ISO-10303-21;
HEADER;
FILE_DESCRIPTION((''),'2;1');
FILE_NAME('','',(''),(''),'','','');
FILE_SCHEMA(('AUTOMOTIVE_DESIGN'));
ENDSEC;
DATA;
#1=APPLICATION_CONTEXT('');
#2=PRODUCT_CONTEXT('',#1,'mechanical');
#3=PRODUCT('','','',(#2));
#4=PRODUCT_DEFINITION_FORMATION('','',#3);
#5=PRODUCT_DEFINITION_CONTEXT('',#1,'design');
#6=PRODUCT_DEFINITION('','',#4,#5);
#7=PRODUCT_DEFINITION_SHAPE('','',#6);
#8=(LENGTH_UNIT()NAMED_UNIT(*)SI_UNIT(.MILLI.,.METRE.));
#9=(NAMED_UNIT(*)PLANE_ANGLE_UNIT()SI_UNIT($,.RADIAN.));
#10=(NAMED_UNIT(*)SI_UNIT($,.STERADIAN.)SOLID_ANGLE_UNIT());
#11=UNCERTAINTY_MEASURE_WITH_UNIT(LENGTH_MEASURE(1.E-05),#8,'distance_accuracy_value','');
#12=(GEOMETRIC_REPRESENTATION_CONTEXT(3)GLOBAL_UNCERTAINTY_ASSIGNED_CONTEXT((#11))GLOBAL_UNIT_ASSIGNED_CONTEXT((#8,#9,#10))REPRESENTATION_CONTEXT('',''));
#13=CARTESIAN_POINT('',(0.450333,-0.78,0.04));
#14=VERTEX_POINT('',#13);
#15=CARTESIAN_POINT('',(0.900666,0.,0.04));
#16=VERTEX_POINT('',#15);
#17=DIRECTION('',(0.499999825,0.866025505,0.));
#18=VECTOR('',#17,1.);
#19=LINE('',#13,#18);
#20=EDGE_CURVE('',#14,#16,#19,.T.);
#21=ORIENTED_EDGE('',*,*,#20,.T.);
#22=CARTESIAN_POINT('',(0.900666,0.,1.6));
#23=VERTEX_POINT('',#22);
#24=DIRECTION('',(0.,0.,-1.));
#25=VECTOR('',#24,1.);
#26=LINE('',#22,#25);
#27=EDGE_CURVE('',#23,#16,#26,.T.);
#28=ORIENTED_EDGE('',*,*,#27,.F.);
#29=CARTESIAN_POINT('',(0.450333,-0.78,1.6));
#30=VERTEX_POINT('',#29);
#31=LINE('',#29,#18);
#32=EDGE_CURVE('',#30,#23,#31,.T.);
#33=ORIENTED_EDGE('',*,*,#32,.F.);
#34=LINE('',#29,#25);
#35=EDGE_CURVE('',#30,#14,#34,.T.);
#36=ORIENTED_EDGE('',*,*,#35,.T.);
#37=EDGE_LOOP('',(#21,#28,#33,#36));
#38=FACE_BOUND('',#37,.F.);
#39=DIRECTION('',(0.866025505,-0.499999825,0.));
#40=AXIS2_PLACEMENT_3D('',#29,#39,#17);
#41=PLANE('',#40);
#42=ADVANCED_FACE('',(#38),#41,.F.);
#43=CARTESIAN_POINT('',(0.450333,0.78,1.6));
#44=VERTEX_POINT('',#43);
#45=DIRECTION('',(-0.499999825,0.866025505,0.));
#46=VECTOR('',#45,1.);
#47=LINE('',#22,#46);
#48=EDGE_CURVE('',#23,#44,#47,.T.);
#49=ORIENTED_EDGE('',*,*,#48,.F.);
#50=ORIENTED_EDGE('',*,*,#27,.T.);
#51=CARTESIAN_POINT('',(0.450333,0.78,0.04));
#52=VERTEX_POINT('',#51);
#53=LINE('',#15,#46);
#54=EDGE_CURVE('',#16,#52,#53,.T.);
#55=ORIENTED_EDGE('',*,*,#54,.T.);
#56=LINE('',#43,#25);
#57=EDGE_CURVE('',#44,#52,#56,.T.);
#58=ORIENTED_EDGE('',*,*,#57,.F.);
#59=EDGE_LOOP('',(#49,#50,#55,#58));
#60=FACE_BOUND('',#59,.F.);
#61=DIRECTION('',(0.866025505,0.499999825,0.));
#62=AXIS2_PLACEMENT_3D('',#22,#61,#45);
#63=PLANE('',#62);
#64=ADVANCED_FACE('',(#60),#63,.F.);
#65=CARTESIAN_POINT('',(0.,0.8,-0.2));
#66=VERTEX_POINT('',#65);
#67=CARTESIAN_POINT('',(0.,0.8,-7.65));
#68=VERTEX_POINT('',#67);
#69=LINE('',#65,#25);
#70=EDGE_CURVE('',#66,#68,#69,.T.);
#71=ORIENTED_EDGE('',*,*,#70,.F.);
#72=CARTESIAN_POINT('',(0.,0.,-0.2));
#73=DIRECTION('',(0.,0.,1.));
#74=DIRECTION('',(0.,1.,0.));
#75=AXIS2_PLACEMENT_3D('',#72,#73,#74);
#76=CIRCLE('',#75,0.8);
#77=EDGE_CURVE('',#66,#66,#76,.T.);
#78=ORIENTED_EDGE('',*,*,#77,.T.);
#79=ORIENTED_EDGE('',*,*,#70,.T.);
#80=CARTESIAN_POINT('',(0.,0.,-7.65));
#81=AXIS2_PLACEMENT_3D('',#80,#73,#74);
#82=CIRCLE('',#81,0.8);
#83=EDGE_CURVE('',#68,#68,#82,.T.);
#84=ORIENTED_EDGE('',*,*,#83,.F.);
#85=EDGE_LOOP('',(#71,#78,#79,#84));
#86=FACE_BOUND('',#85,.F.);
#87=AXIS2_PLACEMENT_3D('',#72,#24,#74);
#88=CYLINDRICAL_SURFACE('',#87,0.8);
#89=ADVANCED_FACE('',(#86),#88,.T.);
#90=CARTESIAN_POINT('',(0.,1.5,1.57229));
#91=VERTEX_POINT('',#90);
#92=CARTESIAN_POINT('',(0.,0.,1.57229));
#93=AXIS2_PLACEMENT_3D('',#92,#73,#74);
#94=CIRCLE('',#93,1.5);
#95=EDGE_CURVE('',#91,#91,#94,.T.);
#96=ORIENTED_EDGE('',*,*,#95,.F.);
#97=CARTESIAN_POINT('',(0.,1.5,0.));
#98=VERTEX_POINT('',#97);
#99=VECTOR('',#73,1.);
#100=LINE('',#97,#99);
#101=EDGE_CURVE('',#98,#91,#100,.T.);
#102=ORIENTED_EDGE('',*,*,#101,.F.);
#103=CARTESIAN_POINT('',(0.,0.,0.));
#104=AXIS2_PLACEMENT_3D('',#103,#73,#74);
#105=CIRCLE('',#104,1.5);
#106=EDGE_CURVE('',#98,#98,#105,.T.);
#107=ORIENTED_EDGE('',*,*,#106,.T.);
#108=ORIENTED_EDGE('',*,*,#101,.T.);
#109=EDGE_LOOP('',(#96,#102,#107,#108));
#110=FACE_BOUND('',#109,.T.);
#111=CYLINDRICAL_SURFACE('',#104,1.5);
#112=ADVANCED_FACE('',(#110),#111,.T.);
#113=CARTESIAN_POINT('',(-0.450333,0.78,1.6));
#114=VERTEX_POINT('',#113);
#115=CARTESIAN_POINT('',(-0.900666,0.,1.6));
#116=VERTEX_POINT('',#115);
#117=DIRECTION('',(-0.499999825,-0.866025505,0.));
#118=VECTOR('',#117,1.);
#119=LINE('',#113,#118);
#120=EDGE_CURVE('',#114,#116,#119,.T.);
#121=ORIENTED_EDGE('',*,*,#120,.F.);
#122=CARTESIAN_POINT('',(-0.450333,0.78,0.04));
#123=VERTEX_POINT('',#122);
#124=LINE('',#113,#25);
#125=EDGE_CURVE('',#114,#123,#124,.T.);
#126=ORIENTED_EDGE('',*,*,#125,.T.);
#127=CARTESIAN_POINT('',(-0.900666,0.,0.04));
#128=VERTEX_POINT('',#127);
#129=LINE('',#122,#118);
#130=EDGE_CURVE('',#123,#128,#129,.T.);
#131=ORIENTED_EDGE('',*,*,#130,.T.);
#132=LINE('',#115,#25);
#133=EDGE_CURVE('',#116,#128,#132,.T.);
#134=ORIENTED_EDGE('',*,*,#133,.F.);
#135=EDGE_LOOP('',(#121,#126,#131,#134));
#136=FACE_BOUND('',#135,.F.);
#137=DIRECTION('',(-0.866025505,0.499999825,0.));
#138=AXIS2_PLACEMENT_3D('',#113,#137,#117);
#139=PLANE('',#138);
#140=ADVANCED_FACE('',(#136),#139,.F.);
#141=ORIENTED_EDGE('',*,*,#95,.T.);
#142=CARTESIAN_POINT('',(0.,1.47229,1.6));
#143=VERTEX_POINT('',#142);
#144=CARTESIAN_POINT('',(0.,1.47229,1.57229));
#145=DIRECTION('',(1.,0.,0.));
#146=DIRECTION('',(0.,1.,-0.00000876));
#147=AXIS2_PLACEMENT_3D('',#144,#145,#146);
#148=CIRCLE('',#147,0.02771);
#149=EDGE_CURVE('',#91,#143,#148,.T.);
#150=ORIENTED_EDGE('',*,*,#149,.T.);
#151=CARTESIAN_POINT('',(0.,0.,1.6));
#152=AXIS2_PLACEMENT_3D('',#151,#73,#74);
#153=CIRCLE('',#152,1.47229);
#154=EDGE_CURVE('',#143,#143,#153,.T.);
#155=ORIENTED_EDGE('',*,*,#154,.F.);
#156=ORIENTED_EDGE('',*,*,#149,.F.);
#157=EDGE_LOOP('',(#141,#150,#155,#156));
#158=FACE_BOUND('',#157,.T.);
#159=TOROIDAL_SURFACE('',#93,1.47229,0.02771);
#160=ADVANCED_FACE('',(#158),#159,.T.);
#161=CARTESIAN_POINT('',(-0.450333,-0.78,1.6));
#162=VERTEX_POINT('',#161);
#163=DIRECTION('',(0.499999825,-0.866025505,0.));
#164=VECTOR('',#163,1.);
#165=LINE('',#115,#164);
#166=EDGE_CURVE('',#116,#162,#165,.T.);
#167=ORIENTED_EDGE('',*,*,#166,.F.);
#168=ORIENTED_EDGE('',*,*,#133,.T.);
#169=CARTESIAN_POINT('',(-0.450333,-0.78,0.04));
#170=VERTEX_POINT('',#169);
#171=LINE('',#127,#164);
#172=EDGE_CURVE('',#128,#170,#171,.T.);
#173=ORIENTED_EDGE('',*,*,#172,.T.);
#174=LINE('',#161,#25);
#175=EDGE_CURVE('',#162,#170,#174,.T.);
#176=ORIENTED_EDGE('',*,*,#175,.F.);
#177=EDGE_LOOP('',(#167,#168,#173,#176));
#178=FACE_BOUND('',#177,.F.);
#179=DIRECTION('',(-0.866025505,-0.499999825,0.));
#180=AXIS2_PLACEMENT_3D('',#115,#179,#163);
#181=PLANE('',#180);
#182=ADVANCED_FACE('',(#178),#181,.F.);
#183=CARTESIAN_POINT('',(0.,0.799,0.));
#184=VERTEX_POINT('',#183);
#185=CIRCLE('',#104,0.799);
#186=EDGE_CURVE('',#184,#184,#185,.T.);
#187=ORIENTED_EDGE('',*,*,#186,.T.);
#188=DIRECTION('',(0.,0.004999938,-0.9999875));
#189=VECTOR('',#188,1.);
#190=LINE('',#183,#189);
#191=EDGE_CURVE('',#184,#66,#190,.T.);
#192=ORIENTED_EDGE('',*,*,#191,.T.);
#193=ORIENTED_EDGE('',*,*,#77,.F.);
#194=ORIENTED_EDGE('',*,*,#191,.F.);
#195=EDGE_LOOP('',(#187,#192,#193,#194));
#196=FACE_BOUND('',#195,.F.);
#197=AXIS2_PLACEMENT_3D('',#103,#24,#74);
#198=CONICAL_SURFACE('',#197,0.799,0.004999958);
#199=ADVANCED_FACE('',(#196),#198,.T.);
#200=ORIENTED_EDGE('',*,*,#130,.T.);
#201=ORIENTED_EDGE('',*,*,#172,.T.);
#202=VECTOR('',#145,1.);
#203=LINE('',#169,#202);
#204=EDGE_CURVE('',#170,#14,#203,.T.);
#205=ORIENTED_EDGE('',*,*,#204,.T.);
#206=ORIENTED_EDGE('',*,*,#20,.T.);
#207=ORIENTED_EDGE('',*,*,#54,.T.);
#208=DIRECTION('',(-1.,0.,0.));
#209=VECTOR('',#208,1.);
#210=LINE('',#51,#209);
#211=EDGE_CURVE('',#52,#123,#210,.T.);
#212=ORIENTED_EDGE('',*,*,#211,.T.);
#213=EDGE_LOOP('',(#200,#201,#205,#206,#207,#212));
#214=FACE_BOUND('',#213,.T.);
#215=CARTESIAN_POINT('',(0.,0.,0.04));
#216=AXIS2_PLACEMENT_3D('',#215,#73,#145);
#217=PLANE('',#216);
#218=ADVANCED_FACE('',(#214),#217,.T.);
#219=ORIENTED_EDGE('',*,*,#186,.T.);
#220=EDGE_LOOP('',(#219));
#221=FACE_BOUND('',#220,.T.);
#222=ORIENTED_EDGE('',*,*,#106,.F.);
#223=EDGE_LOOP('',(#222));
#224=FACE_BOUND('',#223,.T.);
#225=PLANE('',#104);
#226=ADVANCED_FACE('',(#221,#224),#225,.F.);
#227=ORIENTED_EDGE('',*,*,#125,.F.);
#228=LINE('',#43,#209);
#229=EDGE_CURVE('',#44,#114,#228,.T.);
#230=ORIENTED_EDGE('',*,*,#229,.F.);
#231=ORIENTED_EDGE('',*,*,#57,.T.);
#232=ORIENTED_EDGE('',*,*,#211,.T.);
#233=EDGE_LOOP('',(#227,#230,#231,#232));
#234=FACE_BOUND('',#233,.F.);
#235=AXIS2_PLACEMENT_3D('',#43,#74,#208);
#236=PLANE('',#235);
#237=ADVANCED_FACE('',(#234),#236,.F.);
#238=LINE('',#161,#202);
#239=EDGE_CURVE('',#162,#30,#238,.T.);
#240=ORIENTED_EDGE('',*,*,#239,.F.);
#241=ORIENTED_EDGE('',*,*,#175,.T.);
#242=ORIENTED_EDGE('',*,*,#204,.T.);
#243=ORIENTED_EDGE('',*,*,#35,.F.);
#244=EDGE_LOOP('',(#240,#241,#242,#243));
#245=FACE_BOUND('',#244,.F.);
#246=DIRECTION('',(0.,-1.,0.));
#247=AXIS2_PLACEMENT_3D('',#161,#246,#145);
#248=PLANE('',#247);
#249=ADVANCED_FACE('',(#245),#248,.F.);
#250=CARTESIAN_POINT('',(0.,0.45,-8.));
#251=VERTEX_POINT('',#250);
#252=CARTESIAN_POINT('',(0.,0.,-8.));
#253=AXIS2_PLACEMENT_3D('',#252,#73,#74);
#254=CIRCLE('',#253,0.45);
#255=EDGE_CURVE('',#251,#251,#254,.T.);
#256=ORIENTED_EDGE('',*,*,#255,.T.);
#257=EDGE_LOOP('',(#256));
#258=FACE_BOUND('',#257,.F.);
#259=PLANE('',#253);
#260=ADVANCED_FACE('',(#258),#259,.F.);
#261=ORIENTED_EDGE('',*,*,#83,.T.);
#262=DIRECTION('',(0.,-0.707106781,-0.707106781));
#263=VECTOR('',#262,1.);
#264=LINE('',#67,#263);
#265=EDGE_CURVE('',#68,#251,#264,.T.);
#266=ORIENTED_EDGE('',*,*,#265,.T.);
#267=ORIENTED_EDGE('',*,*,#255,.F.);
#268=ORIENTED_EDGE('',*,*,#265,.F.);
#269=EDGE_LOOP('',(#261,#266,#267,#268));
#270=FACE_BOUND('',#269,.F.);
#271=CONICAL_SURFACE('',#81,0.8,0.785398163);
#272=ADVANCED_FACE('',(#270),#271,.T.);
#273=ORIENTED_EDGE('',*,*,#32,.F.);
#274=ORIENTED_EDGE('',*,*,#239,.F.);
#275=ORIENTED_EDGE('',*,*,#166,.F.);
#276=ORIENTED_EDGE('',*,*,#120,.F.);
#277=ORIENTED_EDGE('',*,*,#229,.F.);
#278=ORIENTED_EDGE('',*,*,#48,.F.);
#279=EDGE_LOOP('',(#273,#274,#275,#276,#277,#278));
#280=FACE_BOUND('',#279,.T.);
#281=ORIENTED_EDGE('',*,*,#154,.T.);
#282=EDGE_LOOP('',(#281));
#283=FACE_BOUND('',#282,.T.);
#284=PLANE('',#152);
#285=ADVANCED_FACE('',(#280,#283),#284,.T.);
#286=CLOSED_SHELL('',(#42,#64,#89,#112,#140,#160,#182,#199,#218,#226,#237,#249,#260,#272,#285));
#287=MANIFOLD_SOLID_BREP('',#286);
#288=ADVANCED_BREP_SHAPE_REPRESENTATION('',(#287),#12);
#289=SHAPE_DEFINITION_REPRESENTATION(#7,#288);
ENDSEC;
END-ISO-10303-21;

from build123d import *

# Parameters (mm, degrees)
POCKET_DEPTH = 1.56


with BuildPart() as part:
    # Sketch → Revolve (revolve)
    with BuildSketch(Plane.YZ):
        with BuildLine():
            Line((0.799, 0), (1.5, 0))
            Line((1.5, 0), (1.5, 1.57229))
            ThreePointArc((1.5, 1.57229), (1.491884, 1.591884), (1.47229, 1.6))
            Line((1.47229, 1.6), (0, 1.6))
            Line((0, -8), (0, 1.6))
            Line((0.45, -8), (0, -8))
            Line((0.8, -7.65), (0.45, -8))
            Line((0.8, -0.2), (0.8, -7.65))
            Line((0.799, 0), (0.8, -0.2))
        make_face()
    revolve(axis=Axis((0, 0, 0), (0, 0, 1)))

    # Sketch001 → Pocket (cut)
    with BuildSketch(Plane.XY.offset(1.6)):
        Polygon((0.900666, 0), (0.450333, 0.78), (-0.450333, 0.78), (-0.900666, 0), (-0.450333, -0.78), (0.450333, -0.78), align=None)
    extrude(amount=-POCKET_DEPTH, mode=Mode.SUBTRACT)


solid = part.part
